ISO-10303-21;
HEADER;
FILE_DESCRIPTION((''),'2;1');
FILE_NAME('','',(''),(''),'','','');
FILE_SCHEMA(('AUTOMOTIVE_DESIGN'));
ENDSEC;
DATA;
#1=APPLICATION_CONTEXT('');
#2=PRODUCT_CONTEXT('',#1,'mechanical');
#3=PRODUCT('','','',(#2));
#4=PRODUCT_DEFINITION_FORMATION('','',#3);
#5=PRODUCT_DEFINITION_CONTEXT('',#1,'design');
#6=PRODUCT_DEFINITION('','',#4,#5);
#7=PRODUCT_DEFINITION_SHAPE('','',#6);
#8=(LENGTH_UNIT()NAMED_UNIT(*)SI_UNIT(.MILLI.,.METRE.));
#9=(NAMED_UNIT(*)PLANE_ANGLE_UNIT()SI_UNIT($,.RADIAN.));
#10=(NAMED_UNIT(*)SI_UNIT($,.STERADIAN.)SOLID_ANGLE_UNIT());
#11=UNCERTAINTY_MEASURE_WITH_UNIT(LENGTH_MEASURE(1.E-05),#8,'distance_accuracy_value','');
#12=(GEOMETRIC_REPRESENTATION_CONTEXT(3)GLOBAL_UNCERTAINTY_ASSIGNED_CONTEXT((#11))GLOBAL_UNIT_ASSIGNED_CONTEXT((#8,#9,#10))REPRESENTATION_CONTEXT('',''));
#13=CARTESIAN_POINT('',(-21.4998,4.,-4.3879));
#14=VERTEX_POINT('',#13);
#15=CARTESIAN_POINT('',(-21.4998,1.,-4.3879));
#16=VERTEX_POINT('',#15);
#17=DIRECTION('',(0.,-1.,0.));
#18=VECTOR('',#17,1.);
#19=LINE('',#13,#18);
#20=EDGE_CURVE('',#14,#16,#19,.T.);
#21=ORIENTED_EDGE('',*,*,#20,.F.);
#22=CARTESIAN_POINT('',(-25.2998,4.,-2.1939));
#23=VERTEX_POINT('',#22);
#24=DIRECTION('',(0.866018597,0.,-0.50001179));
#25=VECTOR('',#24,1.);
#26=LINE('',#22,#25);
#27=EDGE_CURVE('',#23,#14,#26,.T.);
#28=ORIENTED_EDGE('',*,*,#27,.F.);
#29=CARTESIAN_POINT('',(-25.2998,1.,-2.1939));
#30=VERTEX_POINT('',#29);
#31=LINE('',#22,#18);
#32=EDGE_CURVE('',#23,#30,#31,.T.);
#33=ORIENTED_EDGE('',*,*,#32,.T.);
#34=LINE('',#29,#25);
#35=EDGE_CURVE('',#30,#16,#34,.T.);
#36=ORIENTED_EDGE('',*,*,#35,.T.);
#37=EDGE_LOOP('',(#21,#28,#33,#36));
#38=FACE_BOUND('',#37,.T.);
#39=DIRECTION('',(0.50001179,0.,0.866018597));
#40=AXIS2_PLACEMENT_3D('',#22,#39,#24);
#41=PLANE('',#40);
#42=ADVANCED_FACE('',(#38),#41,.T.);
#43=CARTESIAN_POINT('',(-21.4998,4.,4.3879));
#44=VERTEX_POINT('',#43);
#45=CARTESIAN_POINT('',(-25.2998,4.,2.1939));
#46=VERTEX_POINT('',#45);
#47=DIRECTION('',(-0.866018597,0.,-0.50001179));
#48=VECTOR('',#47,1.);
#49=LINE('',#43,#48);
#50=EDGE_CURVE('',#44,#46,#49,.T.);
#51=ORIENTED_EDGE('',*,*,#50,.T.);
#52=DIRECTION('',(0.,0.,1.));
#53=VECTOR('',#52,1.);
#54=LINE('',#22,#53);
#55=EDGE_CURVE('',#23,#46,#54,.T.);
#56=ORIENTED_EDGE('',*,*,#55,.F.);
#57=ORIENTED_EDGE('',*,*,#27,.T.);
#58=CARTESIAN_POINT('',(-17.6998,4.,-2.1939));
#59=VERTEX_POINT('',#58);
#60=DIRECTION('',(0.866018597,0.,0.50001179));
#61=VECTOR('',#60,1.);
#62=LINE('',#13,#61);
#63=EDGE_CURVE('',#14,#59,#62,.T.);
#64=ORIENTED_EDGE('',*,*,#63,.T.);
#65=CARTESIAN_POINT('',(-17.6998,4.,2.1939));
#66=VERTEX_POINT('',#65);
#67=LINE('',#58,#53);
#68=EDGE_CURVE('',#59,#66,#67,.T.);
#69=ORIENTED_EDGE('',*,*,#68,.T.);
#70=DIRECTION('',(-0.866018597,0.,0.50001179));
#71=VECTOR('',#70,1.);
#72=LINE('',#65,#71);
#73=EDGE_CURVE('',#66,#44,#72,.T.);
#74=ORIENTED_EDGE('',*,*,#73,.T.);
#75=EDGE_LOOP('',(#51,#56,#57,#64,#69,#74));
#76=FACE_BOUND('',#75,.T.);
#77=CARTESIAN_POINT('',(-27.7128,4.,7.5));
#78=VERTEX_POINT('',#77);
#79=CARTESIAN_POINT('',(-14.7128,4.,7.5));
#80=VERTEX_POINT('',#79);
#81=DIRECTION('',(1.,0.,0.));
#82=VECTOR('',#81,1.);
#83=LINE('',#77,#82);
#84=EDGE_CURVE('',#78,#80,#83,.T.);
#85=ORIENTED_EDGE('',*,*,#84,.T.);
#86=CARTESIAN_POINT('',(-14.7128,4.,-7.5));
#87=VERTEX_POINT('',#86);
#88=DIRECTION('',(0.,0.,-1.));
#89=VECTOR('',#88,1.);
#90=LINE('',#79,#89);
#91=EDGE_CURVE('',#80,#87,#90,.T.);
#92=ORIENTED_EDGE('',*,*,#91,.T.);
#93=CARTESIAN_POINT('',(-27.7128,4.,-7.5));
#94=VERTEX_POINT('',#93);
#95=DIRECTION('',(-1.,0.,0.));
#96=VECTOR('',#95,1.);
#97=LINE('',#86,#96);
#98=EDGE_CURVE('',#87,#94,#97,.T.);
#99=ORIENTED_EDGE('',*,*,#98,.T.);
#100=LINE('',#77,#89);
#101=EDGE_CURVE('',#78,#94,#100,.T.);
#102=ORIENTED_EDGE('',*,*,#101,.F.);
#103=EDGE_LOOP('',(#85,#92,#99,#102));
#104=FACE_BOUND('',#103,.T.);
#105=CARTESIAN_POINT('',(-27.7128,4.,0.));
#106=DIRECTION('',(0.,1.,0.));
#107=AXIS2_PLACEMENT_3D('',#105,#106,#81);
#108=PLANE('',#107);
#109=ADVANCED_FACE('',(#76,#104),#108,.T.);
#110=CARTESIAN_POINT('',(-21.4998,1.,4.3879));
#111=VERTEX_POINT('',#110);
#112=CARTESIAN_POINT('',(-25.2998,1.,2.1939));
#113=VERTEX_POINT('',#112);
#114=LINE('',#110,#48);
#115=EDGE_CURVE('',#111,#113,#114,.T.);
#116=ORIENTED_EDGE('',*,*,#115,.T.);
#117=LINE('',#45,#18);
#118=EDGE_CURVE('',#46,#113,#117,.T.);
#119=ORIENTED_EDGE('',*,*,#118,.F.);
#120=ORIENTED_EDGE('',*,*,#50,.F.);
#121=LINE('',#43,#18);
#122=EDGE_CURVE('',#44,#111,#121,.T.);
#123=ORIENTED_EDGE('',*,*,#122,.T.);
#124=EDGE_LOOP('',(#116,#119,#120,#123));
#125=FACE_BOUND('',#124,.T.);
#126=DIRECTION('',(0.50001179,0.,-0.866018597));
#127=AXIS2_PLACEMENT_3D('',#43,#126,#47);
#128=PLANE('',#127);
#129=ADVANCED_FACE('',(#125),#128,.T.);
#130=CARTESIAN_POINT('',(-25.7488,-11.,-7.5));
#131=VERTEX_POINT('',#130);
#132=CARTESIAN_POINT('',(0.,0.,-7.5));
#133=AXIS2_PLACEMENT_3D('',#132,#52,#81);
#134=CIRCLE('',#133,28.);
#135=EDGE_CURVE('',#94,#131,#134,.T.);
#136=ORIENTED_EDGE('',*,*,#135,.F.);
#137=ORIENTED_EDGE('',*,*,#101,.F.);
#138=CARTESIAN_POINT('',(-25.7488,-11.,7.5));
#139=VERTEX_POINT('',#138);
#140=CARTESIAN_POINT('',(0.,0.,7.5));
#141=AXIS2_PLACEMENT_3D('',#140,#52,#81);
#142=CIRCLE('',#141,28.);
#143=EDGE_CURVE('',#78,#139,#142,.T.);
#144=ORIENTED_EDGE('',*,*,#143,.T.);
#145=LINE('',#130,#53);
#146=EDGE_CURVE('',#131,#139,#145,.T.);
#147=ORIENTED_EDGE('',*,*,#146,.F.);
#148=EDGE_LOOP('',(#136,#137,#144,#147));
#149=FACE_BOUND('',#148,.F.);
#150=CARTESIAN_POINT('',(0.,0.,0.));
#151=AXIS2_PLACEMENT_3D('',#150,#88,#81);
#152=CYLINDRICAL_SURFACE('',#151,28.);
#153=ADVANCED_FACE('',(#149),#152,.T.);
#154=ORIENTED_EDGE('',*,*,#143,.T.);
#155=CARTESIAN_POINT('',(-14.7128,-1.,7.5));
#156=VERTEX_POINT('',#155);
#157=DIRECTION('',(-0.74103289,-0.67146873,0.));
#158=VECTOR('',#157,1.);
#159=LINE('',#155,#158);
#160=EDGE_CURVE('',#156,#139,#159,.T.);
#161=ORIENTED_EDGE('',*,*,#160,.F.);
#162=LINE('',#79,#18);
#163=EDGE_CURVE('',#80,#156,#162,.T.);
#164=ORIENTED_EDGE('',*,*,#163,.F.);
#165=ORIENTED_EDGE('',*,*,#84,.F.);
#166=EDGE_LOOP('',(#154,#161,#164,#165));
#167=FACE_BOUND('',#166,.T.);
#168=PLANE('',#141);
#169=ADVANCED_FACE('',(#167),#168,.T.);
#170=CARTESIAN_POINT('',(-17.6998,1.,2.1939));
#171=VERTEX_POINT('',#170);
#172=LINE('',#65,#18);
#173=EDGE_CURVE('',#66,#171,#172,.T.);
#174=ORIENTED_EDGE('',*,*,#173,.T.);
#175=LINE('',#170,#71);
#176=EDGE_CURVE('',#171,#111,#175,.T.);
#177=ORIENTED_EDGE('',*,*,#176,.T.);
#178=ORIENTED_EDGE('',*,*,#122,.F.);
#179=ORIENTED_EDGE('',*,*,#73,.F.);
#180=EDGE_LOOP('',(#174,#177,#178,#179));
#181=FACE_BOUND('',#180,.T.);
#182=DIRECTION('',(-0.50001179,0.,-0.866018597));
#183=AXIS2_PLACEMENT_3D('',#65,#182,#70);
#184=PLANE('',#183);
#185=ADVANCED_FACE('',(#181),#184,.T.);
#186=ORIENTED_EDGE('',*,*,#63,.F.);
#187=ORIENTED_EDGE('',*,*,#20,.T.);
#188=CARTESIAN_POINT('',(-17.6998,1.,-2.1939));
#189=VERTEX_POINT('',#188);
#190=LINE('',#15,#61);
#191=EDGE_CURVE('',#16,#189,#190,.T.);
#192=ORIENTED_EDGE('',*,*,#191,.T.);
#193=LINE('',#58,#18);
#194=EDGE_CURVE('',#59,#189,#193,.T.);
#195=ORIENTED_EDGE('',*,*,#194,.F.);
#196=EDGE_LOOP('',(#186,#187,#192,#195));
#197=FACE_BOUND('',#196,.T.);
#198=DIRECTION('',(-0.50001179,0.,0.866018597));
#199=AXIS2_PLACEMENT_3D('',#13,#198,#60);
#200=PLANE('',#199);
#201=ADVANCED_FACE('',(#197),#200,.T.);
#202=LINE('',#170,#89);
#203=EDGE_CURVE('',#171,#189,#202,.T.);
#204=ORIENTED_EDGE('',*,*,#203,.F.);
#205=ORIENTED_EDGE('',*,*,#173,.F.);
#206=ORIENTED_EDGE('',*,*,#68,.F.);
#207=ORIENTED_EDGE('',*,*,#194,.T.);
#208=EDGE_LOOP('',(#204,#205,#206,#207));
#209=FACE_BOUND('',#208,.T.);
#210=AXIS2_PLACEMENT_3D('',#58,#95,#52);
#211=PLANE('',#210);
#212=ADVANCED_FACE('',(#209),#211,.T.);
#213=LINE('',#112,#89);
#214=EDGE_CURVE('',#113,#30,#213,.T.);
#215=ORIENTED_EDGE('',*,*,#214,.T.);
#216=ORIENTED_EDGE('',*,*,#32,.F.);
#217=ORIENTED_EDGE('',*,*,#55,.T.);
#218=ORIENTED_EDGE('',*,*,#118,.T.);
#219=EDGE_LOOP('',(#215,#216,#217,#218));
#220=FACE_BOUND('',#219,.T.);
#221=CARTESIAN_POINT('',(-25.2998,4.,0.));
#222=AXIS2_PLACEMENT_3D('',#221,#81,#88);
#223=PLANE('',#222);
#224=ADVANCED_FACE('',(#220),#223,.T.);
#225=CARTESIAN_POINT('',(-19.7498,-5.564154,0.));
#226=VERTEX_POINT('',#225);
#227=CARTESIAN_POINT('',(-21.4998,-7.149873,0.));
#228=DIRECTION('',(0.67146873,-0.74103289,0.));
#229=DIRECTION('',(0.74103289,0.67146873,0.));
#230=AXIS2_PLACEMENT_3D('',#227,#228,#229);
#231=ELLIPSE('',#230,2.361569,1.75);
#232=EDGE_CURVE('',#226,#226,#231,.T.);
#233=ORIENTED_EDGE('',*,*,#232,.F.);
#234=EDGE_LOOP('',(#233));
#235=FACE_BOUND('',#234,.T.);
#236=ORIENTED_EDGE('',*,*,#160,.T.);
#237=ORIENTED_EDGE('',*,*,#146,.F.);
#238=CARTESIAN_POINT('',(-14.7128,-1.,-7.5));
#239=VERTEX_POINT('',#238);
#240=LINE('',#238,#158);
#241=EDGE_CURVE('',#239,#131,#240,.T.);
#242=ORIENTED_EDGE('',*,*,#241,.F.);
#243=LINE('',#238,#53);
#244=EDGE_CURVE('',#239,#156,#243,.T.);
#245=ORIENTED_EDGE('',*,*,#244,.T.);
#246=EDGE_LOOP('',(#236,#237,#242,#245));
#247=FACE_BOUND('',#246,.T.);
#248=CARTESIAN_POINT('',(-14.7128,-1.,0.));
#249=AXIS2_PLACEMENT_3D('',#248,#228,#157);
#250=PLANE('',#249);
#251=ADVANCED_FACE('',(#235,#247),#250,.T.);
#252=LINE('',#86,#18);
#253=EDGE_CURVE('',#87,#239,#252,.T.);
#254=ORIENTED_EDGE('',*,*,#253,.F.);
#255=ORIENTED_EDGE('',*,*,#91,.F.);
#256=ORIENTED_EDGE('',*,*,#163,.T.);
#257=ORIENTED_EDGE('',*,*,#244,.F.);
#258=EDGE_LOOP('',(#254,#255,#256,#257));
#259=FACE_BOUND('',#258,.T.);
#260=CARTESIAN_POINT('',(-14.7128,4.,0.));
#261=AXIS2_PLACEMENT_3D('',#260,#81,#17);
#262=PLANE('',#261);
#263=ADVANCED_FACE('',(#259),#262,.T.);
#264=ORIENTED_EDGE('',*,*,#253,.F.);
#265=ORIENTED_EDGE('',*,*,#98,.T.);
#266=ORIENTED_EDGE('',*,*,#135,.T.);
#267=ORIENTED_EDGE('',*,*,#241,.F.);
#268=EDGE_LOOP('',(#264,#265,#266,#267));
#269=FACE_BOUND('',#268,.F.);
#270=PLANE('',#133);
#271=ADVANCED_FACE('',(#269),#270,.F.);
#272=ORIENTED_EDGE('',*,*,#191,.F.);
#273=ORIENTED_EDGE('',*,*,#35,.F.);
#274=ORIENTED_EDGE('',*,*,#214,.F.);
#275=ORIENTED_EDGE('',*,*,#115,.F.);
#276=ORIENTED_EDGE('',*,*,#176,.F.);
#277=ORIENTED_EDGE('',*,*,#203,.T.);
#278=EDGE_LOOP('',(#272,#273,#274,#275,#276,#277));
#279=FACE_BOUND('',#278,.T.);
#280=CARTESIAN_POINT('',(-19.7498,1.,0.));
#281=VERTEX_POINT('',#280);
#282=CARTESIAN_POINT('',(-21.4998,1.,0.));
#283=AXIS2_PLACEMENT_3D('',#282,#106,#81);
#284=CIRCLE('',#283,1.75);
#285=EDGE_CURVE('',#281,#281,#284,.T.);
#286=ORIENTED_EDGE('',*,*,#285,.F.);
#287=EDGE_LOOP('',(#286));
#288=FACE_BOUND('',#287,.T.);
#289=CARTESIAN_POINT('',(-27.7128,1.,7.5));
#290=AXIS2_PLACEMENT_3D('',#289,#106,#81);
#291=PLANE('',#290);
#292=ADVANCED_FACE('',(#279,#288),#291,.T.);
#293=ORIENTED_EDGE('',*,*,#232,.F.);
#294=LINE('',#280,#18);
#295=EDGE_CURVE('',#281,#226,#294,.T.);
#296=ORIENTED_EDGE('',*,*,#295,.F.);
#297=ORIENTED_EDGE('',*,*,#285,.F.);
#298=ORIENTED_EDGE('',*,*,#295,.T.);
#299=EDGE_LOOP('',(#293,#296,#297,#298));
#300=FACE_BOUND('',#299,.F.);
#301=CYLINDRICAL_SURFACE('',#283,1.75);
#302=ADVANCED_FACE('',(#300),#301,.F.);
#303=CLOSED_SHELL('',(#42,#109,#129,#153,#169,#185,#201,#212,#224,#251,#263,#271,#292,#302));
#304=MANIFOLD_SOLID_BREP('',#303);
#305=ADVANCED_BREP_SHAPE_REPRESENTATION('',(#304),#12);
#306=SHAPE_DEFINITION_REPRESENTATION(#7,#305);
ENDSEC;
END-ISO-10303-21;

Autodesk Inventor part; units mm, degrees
ref_plane "YZ Plane" through (0, 0, 0) normal (1, 0, 0) x (0, 1, 0)
ref_plane "XZ Plane" through (0, 0, 0) normal (0, 1, 0) x (-1, 0, 0)
ref_plane "XY Plane" through (0, 0, 0) normal (0, 0, 1) x (1, 0, 0)
sketch "Sketch1" plane through (0, 0, 0) normal (0, 0, 1) x (1, 0, 0)
  circle A0 centre (0, 0) radius 28
  line L0 (-27.5, 5.5) -> (27.5, 5.5)
  line L1 (27.5, 5.5) -> (27.5, 4)
  line L2 (27.5, 4) -> (-27.5, 4)
  line L3 (-27.5, 4) -> (-27.5, 5.5)
  line L4 (-27.7128, 4) -> (27.7128, 4)
  line L5 (-14.7128, 4) -> (-14.7128, -1)
  line L6 (-14.7128, -1) -> (-25.7488, -11)
  line L7 (-27.5, 4.75) -> (-21.5, 4.75)
  dimension "d0" = 56
  dimension "d1" = 55
  dimension "d2" = 1.5
  dimension "d3" = 27.5
  dimension "d4" = 4
  dimension "d5" = 4
  dimension "d6" = 5
  dimension "d7" = 13
  dimension "d8" = 15
  dimension "d12" = 6
  dimension "d13" = 6.2128
extrude "Extrusion1" add sketch "Sketch1" along normal mid plane 15 contours A0 L4 L2 L5 L6 picked at (-22.5928, -6.0493)
sketch "Sketch2" plane through (-27.7128, 4, 7.5) normal (0, 1, 0) x (1, 0, 0)
  line L0 (6.213, 11.8879) -> (10.013, 9.6939)
  line L1 (10.013, 9.6939) -> (10.013, 5.3061)
  line L2 (10.013, 5.3061) -> (6.213, 3.1121)
  line L3 (6.213, 3.1121) -> (2.413, 5.3061)
  line L4 (2.413, 5.3061) -> (2.413, 9.6939)
  line L5 (2.413, 9.6939) -> (6.213, 11.8879)
  line L6 (0, 15) -> (0, 0) projected
  line L7 (13, 15) -> (13, 0) projected
  line L8 (13, 7.5) -> (0, 7.5)
  point P0 (27.7128, 7.5)
  point P1 (6.213, 7.5)
  dimension "d14" = 6.213
  dimension "d15" = 0
  dimension "d16" = 7.6
extrude "Extrusion2" cut sketch "Sketch2" against normal blind 3
sketch "Sketch3" plane through (-27.7128, 1, 7.5) normal (0, 1, 0) x (1, 0, 0)
  circle A0 centre (6.213, 7.5) radius 1.75
  point P0 (27.7128, 7.5)
  dimension "d19" = 3.5
extrude "Extrusion3" cut sketch "Sketch3" against normal blind 10
properties part number "Soporte placa"
